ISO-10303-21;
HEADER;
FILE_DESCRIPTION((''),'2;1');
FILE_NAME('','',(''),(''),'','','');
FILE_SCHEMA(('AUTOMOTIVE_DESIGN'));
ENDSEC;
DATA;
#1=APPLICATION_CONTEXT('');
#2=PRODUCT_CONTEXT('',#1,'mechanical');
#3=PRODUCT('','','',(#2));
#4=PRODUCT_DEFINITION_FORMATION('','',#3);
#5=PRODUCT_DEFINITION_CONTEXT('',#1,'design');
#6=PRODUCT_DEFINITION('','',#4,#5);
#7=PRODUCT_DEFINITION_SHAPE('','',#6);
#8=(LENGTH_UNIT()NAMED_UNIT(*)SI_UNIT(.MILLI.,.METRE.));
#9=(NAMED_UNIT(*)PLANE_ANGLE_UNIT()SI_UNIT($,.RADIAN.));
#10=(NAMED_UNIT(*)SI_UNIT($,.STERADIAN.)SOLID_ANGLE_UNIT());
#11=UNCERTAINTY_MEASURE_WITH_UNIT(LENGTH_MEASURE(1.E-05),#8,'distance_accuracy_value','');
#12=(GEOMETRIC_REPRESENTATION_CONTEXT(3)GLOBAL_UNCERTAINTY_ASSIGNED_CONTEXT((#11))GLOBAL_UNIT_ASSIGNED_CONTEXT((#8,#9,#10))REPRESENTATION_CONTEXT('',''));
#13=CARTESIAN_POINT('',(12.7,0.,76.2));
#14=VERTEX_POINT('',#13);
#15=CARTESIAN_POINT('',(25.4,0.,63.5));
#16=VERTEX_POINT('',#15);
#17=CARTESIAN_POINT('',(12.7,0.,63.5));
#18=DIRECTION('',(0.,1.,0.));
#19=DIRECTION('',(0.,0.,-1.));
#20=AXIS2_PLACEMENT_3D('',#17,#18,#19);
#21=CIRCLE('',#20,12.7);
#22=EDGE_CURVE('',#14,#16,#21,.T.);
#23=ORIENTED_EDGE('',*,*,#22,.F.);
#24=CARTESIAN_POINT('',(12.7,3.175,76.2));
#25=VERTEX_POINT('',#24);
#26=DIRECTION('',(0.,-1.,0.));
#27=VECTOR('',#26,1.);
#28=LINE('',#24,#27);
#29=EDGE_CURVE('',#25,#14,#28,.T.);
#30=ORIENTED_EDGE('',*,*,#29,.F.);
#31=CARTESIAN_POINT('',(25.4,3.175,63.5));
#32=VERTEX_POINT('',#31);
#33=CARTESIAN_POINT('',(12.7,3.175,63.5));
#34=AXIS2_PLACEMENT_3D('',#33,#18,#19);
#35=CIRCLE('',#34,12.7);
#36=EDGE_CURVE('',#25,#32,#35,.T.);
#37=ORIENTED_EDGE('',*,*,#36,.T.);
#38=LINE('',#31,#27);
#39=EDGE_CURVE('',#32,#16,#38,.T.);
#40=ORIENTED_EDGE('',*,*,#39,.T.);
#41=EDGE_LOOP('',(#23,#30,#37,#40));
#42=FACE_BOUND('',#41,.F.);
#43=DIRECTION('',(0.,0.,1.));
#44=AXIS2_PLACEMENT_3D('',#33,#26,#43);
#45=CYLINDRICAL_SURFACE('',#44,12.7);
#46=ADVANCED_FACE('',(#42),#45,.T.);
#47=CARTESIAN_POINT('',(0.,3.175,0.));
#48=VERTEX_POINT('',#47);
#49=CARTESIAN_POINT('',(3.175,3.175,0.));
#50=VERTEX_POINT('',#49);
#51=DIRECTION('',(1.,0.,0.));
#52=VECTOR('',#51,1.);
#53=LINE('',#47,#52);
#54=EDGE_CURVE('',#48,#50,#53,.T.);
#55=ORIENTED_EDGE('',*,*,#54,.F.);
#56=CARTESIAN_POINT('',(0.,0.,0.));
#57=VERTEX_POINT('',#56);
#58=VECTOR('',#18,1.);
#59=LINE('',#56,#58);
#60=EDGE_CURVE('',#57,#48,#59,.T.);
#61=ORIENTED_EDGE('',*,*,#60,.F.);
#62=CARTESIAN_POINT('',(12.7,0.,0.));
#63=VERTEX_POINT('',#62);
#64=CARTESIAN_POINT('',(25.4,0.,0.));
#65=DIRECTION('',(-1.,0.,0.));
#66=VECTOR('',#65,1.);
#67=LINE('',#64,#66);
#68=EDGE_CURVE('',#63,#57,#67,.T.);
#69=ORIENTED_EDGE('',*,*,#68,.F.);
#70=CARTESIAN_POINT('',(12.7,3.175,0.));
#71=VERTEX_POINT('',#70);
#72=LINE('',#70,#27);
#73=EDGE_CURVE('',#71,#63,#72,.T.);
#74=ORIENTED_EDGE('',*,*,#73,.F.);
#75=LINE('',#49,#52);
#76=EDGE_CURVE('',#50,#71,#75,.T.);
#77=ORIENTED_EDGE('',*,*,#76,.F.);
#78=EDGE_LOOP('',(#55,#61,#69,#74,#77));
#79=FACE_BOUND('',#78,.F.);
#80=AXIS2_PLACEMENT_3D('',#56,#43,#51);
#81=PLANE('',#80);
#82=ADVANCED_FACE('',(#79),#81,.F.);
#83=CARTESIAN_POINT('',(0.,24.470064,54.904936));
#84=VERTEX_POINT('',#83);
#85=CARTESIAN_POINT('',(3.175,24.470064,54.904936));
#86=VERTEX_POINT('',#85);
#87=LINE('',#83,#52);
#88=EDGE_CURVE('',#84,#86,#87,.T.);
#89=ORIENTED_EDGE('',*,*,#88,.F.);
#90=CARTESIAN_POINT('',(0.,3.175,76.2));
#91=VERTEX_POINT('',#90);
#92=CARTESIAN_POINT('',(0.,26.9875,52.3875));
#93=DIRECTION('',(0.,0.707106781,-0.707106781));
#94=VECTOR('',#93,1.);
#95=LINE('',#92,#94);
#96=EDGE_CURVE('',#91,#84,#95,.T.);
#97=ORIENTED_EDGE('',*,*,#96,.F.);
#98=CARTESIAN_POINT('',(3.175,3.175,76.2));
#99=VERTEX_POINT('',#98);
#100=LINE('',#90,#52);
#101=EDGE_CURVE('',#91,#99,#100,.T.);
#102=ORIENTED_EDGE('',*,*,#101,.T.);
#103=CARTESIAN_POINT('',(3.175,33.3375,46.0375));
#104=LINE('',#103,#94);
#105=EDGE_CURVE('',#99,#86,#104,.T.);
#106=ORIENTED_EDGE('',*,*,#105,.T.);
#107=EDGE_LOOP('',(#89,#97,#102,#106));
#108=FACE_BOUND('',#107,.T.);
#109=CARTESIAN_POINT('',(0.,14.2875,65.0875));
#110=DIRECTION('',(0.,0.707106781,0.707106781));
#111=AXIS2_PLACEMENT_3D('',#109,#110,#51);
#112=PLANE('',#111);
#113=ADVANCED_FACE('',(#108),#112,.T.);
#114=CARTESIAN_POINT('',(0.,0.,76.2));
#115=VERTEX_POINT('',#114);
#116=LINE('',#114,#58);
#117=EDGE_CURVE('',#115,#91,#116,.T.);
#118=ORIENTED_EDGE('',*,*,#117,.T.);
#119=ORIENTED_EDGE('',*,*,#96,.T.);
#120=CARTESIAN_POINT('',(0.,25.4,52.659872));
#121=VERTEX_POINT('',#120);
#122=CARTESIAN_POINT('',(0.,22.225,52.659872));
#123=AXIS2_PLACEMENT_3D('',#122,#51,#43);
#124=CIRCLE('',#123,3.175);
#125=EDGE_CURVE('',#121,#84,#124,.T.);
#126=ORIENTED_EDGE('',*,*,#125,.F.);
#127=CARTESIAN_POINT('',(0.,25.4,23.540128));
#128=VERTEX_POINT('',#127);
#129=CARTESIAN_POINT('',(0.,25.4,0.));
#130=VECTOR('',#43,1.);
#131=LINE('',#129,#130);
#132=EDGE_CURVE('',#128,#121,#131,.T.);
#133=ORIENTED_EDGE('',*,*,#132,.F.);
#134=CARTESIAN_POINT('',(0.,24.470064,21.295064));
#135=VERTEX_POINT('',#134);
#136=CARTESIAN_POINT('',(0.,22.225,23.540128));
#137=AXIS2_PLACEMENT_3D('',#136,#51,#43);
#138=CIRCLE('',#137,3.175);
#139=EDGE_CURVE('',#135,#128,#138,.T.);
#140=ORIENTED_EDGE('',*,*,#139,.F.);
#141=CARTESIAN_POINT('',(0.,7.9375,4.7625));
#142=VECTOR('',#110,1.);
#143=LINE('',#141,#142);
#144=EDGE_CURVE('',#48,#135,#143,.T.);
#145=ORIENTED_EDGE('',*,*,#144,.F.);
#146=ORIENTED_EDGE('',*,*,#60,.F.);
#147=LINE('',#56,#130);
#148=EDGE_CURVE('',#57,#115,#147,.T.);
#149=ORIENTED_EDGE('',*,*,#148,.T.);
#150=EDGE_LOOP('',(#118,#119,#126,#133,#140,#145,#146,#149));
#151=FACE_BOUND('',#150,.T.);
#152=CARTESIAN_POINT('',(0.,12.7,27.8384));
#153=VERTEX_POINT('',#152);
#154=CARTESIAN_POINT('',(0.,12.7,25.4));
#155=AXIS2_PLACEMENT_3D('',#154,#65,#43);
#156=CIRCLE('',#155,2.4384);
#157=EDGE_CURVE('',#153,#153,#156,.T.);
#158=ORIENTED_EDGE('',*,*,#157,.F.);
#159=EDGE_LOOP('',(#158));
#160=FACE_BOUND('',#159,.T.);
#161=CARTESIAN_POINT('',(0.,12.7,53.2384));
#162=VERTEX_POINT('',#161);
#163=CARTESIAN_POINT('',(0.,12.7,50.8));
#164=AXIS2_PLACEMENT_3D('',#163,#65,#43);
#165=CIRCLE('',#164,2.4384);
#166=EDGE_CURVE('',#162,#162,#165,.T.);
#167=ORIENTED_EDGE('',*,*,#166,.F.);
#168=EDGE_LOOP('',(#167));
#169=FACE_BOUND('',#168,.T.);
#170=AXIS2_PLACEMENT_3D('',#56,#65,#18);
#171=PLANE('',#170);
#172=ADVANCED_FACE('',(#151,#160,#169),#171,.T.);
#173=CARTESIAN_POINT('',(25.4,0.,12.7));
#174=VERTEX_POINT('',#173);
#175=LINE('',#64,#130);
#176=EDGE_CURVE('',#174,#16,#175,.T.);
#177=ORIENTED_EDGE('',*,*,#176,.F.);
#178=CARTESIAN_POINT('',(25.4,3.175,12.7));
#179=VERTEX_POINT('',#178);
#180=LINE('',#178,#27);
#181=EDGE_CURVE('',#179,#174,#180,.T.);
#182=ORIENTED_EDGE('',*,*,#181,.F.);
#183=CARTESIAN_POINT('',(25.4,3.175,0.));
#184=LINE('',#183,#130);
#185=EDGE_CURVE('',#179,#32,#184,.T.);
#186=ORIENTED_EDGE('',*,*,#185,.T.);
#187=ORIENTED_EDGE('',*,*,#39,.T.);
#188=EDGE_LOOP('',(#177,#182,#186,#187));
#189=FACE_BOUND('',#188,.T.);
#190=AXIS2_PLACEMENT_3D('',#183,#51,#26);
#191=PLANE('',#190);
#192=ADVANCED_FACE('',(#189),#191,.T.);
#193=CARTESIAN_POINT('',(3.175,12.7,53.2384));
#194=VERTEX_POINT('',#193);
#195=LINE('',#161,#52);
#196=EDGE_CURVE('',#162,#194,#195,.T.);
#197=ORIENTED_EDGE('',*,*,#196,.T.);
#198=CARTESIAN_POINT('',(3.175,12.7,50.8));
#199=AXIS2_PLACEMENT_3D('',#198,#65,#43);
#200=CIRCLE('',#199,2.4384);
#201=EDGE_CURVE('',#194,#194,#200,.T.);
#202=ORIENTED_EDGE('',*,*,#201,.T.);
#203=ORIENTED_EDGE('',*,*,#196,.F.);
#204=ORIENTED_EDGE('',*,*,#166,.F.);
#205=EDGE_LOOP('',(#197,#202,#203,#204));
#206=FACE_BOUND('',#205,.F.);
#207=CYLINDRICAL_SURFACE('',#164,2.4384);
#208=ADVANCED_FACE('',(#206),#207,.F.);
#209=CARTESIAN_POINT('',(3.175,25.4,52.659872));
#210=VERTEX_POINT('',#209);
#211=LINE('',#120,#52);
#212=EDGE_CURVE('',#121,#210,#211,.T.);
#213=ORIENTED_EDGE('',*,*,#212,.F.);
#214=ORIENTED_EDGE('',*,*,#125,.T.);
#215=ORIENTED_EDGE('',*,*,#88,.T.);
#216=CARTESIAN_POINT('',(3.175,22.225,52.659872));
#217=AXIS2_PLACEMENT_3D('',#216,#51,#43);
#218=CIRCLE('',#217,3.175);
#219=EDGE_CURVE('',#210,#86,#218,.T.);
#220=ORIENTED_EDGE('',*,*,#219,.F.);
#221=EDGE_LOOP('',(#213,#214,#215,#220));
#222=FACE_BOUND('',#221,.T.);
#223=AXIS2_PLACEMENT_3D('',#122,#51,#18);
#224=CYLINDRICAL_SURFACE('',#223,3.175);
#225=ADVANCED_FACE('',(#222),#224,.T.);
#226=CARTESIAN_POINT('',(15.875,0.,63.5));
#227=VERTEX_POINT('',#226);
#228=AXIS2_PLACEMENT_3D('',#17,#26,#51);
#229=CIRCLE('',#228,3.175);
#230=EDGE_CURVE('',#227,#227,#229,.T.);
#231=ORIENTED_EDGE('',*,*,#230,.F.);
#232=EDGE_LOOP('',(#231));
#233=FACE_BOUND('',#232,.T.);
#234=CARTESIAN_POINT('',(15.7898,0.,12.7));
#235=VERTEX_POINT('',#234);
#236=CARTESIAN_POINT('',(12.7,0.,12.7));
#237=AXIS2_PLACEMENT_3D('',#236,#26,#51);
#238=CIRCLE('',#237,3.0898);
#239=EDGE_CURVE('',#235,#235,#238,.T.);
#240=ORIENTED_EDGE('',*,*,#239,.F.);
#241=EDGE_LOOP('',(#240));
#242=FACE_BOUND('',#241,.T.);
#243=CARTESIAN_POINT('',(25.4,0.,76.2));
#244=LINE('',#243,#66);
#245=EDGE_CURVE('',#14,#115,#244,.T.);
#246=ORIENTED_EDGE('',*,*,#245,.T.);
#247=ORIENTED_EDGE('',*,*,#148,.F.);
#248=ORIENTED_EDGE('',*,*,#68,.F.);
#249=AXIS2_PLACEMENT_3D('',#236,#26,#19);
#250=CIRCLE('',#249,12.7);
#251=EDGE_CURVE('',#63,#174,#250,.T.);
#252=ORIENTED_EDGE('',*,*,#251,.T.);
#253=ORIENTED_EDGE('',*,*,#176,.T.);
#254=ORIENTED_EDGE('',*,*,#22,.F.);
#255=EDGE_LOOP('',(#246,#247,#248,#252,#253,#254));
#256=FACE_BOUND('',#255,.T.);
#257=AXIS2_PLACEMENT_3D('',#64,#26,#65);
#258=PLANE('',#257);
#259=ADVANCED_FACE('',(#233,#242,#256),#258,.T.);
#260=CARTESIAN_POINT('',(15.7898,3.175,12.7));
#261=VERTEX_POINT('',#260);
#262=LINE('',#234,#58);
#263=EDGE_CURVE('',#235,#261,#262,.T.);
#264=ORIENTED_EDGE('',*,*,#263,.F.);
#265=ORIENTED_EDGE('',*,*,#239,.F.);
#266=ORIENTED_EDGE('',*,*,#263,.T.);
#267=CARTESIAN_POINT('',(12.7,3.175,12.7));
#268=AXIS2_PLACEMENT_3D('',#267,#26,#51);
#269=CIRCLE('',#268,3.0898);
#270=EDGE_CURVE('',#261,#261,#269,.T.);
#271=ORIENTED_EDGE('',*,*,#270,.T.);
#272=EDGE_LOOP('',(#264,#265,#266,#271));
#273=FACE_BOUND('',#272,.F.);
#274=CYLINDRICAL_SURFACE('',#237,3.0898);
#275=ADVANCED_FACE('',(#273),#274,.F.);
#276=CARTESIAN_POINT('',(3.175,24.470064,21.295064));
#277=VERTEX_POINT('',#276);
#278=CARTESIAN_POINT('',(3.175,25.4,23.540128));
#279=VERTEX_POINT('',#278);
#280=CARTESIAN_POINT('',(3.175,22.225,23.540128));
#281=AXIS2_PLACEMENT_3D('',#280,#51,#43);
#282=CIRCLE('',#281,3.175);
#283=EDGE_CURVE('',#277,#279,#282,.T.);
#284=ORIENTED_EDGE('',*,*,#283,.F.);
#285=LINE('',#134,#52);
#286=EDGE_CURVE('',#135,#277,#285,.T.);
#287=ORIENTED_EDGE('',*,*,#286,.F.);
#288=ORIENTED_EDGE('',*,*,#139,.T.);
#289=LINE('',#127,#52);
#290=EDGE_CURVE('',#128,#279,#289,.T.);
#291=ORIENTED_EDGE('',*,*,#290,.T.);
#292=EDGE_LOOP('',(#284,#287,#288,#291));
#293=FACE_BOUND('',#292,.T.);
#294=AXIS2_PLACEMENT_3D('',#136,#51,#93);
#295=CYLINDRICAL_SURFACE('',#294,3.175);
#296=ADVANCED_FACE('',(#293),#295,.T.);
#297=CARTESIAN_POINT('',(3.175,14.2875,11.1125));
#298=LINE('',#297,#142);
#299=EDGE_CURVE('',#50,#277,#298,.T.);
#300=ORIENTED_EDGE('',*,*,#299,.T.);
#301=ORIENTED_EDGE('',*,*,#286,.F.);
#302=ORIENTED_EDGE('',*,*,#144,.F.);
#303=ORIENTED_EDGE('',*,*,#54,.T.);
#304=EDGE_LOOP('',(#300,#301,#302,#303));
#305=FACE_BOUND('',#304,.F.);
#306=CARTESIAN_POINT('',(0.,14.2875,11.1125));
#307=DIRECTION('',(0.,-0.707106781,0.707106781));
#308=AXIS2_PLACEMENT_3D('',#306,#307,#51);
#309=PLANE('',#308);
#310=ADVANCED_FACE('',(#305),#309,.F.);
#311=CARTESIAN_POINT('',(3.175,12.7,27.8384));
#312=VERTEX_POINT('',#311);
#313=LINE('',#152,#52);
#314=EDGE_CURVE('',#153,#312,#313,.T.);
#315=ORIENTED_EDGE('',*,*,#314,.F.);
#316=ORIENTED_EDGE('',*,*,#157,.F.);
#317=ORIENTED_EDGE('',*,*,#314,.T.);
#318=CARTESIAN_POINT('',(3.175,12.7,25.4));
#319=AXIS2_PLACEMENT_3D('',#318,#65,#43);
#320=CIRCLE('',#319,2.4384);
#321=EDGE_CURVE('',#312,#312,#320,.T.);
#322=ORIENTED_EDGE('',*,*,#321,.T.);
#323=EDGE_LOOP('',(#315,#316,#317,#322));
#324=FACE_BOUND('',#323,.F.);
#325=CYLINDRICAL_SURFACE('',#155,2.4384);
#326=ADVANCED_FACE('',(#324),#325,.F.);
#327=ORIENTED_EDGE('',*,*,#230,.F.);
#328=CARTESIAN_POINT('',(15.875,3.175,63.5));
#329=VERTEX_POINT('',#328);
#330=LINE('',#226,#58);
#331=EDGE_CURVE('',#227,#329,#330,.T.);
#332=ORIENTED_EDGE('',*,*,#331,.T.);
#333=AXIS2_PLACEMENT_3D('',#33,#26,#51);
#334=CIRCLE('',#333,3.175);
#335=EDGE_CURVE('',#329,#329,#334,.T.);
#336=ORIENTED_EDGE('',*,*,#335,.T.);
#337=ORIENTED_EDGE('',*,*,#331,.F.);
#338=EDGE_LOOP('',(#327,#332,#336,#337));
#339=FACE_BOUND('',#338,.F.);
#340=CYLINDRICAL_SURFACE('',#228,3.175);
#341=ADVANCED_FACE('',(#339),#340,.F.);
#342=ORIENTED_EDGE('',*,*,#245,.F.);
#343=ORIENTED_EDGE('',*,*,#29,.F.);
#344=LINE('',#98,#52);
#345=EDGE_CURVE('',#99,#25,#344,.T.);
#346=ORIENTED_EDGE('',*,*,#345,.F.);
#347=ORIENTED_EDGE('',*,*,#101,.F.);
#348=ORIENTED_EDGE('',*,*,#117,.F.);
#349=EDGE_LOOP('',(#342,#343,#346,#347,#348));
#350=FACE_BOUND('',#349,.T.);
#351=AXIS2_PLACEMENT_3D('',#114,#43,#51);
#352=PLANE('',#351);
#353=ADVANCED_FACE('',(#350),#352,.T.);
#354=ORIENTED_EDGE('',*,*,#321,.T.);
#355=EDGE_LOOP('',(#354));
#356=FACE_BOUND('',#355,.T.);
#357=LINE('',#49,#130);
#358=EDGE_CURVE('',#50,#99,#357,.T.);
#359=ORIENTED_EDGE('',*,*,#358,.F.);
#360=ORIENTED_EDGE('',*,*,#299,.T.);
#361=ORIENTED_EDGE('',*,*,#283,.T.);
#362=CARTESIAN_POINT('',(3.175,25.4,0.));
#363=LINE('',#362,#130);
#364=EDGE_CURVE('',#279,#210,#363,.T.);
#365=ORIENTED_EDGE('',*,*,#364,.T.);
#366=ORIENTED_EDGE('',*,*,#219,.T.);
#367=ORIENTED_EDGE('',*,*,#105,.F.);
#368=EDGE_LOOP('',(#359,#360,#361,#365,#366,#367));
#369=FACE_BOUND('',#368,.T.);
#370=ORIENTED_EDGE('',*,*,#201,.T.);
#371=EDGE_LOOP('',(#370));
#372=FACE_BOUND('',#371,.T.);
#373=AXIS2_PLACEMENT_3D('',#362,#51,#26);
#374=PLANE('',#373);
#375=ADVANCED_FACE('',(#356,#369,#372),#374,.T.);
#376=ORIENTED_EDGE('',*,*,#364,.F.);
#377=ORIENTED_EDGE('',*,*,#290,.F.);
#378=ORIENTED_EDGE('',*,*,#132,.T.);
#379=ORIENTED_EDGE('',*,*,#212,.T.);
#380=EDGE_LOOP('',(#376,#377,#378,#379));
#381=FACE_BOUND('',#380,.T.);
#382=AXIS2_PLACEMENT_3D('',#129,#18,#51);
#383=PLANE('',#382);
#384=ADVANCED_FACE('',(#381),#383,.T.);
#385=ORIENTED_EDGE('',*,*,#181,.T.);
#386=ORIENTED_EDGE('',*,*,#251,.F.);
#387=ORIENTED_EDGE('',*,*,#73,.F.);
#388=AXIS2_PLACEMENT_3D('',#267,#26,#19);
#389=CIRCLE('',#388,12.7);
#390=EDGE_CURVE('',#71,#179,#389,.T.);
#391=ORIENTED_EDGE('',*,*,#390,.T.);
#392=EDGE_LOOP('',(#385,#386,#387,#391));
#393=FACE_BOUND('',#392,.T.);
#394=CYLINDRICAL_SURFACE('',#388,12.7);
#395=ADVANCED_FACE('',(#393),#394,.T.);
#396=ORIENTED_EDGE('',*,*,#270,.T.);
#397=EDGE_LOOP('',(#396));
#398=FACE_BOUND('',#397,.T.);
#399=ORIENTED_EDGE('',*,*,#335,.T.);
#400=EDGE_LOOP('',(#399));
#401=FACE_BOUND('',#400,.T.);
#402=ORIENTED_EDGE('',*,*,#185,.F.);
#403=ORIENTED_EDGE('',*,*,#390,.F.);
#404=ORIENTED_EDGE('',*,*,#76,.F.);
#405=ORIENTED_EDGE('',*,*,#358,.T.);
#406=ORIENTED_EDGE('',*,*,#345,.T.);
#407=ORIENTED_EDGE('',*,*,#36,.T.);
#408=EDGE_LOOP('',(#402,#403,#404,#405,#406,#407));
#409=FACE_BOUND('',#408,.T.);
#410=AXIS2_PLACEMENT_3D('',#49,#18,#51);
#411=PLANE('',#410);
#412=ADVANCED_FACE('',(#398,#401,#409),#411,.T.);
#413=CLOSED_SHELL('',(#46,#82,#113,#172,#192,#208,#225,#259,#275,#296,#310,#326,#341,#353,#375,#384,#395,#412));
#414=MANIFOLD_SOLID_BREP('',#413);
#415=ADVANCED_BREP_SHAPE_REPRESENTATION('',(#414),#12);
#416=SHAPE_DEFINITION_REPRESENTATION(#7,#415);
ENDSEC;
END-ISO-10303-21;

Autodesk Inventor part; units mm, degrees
ref_plane "YZ Plane" through (0, 0, 0) normal (1, 0, 0) x (0, 1, 0)
ref_plane "XZ Plane" through (0, 0, 0) normal (0, 1, 0) x (-1, 0, 0)
ref_plane "XY Plane" through (0, 0, 0) normal (0, 0, 1) x (1, 0, 0)
sketch "Sketch1" plane through (0, 0, 0) normal (0, 0, 1) x (1, 0, 0)
  line L0 (0, 0) -> (0, 25.4)
  line L1 (0, 25.4) -> (3.175, 25.4)
  line L2 (3.175, 25.4) -> (3.175, 3.175)
  line L3 (3.175, 3.175) -> (25.4, 3.175)
  line L4 (25.4, 3.175) -> (25.4, 0)
  line L5 (25.4, 0) -> (0, 0)
  dimension "d0" = 3.175
  dimension "d1" = 25.4
extrude "Extrusion1" add sketch "Sketch1" along normal blind 76.2
sketch "Sketch2" plane through (0, 0, 0) normal (-1, 0, 0) x (0, 0, 1)
  line L0 (76.2, 0) -> (76.2, 25.4) projected
  line L1 (0, 0) -> (0, 25.4) projected
  line L2 (0, 12.7) -> (25.4, 12.7) construction
  line L3 (25.4, 12.7) -> (50.8, 12.7) construction
  line L4 (50.8, 12.7) -> (76.2, 12.7) construction
  circle A0 centre (25.4, 12.7) radius 2.4384
  circle A1 centre (50.8, 12.7) radius 2.4384
  dimension "d4" = 25.4
  dimension "d5" = 4.8768
extrude "Extrusion2" cut sketch "Sketch2" against normal up to next
sketch "Sketch3" plane through (0, 0, 0) normal (0, -1, 0) x (1, 0, 0)
  line L0 (25.4, 76.2) -> (0, 76.2) projected
  line L1 (25.4, 0) -> (0, 0) projected
  line L2 (12.7, 76.2) -> (12.7, 63.5) construction
  line L3 (12.7, 63.5) -> (12.7, 12.7) construction
  line L4 (12.7, 12.7) -> (12.7, 0) construction
  circle A0 centre (12.7, 63.5) radius 3.175
  circle A1 centre (12.7, 12.7) radius 3.0898
  dimension "d8" = 6.35
  dimension "d9" = 12.7
extrude "Extrusion3" cut sketch "Sketch3" against normal up to next
chamfer "Chamfer1" distance 22.225 angle 45 2 edges at (1.5875, 25.4, 76.2) (1.5875, 25.4, 0)
fillet "Fillet1" radius 12.7 2 edges at (25.4, 1.5875, 76.2) (25.4, 1.5875, 0)
fillet "Fillet2" radius 3.175 2 edges at (1.5875, 25.4, 53.975) (1.5875, 25.4, 22.225)
properties part number "BearingMountBracket" material "Aluminum-6061"
